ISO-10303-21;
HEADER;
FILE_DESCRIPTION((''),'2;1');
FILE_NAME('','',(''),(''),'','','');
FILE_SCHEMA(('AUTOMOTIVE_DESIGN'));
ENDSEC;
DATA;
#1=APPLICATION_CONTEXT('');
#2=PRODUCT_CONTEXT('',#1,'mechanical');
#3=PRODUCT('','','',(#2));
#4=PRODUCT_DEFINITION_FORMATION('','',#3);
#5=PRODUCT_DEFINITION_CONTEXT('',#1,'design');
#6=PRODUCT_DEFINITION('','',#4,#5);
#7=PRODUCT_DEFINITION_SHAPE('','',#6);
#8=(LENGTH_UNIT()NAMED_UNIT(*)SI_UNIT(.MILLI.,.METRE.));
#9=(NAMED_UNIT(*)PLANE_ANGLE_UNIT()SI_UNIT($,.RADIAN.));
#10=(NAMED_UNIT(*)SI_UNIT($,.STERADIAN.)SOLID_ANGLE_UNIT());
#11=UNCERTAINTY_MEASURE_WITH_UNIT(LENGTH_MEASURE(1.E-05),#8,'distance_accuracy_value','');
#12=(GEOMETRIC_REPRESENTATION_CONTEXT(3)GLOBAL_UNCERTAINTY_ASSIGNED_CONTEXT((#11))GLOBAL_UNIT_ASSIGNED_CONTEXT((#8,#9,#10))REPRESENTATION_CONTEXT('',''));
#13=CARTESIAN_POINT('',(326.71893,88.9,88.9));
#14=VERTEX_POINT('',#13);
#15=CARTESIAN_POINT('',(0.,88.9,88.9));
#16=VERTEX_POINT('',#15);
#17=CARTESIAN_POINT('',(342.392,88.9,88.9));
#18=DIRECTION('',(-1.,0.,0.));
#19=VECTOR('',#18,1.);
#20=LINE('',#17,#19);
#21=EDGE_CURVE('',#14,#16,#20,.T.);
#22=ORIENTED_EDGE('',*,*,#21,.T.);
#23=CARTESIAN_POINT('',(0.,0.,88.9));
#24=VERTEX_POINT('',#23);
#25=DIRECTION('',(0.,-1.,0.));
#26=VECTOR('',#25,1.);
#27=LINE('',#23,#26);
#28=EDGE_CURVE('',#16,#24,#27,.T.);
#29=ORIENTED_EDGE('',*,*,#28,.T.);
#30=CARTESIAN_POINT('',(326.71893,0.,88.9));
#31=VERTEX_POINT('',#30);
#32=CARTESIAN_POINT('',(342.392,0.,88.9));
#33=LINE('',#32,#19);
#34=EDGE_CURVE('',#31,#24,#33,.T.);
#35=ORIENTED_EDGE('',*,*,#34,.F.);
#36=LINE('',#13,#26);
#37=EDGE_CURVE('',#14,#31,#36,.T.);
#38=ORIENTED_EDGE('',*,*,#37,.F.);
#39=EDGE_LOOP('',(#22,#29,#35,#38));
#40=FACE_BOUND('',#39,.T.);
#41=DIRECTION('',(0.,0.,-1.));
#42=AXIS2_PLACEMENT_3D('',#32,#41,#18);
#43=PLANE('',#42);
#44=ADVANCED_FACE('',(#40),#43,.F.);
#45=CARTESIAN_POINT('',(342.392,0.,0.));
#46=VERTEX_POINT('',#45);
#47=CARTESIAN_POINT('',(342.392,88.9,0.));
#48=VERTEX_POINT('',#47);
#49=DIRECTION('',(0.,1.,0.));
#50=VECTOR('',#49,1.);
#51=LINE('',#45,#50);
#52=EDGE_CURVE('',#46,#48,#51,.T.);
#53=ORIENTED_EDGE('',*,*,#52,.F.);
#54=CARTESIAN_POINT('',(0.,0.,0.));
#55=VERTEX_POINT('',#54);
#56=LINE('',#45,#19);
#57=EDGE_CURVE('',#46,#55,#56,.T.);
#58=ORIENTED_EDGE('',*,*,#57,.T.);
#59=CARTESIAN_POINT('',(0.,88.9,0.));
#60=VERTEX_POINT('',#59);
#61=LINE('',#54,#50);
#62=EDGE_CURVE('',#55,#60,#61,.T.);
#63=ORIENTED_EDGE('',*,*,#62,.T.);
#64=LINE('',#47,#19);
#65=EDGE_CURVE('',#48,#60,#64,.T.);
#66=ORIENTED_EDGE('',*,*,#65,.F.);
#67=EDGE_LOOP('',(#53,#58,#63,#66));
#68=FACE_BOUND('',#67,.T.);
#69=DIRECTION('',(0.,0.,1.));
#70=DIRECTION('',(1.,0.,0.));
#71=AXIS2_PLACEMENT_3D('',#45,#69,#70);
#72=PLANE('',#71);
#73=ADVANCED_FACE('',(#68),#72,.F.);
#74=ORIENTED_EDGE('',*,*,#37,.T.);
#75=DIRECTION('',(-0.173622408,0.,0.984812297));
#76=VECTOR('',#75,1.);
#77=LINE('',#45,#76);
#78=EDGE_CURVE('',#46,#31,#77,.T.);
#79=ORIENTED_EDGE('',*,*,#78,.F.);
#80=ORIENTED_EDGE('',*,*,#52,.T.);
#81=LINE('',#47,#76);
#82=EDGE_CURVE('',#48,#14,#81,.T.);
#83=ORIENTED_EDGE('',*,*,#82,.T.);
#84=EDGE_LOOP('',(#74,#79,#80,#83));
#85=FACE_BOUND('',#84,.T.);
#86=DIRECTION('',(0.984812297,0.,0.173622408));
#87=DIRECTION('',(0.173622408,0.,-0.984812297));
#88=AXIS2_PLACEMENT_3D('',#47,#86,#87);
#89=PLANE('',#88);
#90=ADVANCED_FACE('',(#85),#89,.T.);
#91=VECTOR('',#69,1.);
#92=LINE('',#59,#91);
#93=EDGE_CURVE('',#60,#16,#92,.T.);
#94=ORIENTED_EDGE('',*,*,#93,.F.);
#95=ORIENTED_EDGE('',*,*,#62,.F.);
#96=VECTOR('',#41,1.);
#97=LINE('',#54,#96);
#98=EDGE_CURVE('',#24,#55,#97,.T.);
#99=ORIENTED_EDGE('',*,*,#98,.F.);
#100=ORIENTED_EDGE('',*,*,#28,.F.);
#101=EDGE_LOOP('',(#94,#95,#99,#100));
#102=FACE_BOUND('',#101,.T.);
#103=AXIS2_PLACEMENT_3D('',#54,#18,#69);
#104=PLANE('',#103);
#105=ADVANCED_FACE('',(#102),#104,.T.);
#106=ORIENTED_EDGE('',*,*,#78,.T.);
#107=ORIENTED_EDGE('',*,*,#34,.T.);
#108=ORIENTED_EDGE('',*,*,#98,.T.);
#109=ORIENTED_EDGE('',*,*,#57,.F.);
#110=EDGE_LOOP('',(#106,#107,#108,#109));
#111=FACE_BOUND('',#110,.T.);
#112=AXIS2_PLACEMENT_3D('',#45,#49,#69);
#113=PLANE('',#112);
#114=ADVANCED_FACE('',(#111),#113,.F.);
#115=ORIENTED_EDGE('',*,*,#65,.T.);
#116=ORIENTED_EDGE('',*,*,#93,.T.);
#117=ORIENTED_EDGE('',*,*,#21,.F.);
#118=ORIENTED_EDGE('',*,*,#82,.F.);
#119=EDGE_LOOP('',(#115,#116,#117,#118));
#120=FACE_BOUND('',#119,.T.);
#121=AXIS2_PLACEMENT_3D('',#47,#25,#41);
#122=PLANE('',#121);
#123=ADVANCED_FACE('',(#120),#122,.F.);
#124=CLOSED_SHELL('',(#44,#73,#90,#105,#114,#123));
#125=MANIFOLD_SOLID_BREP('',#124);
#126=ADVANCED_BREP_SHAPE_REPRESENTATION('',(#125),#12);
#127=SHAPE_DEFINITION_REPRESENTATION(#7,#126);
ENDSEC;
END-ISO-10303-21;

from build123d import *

# Parameters (mm, degrees)
SKETCH1_W           = 88.9
SKETCH1_H           = 88.9
BOSS_EXTRUDE1_DEPTH = 342.392
CUT_EXTRUDE1_DEPTH  = 88.9


with BuildPart() as part:
    # Sketch1 → Boss-Extrude1 (new body)
    with BuildSketch(Plane.YZ):
        with Locations((44.45, 44.45)):
            Rectangle(SKETCH1_W, SKETCH1_H)
    extrude(amount=BOSS_EXTRUDE1_DEPTH)

    # Sketch2 → Cut-Extrude1 (cut)
    with BuildSketch(Plane(origin=(0, 0, 0), x_dir=(-1, 0, 0), z_dir=(0, 1, 0))):
        Polygon((-342.392, 0), (-326.71893, 88.9), (-342.392, 88.9), align=None)
    extrude(amount=CUT_EXTRUDE1_DEPTH, mode=Mode.SUBTRACT)


solid = part.part
